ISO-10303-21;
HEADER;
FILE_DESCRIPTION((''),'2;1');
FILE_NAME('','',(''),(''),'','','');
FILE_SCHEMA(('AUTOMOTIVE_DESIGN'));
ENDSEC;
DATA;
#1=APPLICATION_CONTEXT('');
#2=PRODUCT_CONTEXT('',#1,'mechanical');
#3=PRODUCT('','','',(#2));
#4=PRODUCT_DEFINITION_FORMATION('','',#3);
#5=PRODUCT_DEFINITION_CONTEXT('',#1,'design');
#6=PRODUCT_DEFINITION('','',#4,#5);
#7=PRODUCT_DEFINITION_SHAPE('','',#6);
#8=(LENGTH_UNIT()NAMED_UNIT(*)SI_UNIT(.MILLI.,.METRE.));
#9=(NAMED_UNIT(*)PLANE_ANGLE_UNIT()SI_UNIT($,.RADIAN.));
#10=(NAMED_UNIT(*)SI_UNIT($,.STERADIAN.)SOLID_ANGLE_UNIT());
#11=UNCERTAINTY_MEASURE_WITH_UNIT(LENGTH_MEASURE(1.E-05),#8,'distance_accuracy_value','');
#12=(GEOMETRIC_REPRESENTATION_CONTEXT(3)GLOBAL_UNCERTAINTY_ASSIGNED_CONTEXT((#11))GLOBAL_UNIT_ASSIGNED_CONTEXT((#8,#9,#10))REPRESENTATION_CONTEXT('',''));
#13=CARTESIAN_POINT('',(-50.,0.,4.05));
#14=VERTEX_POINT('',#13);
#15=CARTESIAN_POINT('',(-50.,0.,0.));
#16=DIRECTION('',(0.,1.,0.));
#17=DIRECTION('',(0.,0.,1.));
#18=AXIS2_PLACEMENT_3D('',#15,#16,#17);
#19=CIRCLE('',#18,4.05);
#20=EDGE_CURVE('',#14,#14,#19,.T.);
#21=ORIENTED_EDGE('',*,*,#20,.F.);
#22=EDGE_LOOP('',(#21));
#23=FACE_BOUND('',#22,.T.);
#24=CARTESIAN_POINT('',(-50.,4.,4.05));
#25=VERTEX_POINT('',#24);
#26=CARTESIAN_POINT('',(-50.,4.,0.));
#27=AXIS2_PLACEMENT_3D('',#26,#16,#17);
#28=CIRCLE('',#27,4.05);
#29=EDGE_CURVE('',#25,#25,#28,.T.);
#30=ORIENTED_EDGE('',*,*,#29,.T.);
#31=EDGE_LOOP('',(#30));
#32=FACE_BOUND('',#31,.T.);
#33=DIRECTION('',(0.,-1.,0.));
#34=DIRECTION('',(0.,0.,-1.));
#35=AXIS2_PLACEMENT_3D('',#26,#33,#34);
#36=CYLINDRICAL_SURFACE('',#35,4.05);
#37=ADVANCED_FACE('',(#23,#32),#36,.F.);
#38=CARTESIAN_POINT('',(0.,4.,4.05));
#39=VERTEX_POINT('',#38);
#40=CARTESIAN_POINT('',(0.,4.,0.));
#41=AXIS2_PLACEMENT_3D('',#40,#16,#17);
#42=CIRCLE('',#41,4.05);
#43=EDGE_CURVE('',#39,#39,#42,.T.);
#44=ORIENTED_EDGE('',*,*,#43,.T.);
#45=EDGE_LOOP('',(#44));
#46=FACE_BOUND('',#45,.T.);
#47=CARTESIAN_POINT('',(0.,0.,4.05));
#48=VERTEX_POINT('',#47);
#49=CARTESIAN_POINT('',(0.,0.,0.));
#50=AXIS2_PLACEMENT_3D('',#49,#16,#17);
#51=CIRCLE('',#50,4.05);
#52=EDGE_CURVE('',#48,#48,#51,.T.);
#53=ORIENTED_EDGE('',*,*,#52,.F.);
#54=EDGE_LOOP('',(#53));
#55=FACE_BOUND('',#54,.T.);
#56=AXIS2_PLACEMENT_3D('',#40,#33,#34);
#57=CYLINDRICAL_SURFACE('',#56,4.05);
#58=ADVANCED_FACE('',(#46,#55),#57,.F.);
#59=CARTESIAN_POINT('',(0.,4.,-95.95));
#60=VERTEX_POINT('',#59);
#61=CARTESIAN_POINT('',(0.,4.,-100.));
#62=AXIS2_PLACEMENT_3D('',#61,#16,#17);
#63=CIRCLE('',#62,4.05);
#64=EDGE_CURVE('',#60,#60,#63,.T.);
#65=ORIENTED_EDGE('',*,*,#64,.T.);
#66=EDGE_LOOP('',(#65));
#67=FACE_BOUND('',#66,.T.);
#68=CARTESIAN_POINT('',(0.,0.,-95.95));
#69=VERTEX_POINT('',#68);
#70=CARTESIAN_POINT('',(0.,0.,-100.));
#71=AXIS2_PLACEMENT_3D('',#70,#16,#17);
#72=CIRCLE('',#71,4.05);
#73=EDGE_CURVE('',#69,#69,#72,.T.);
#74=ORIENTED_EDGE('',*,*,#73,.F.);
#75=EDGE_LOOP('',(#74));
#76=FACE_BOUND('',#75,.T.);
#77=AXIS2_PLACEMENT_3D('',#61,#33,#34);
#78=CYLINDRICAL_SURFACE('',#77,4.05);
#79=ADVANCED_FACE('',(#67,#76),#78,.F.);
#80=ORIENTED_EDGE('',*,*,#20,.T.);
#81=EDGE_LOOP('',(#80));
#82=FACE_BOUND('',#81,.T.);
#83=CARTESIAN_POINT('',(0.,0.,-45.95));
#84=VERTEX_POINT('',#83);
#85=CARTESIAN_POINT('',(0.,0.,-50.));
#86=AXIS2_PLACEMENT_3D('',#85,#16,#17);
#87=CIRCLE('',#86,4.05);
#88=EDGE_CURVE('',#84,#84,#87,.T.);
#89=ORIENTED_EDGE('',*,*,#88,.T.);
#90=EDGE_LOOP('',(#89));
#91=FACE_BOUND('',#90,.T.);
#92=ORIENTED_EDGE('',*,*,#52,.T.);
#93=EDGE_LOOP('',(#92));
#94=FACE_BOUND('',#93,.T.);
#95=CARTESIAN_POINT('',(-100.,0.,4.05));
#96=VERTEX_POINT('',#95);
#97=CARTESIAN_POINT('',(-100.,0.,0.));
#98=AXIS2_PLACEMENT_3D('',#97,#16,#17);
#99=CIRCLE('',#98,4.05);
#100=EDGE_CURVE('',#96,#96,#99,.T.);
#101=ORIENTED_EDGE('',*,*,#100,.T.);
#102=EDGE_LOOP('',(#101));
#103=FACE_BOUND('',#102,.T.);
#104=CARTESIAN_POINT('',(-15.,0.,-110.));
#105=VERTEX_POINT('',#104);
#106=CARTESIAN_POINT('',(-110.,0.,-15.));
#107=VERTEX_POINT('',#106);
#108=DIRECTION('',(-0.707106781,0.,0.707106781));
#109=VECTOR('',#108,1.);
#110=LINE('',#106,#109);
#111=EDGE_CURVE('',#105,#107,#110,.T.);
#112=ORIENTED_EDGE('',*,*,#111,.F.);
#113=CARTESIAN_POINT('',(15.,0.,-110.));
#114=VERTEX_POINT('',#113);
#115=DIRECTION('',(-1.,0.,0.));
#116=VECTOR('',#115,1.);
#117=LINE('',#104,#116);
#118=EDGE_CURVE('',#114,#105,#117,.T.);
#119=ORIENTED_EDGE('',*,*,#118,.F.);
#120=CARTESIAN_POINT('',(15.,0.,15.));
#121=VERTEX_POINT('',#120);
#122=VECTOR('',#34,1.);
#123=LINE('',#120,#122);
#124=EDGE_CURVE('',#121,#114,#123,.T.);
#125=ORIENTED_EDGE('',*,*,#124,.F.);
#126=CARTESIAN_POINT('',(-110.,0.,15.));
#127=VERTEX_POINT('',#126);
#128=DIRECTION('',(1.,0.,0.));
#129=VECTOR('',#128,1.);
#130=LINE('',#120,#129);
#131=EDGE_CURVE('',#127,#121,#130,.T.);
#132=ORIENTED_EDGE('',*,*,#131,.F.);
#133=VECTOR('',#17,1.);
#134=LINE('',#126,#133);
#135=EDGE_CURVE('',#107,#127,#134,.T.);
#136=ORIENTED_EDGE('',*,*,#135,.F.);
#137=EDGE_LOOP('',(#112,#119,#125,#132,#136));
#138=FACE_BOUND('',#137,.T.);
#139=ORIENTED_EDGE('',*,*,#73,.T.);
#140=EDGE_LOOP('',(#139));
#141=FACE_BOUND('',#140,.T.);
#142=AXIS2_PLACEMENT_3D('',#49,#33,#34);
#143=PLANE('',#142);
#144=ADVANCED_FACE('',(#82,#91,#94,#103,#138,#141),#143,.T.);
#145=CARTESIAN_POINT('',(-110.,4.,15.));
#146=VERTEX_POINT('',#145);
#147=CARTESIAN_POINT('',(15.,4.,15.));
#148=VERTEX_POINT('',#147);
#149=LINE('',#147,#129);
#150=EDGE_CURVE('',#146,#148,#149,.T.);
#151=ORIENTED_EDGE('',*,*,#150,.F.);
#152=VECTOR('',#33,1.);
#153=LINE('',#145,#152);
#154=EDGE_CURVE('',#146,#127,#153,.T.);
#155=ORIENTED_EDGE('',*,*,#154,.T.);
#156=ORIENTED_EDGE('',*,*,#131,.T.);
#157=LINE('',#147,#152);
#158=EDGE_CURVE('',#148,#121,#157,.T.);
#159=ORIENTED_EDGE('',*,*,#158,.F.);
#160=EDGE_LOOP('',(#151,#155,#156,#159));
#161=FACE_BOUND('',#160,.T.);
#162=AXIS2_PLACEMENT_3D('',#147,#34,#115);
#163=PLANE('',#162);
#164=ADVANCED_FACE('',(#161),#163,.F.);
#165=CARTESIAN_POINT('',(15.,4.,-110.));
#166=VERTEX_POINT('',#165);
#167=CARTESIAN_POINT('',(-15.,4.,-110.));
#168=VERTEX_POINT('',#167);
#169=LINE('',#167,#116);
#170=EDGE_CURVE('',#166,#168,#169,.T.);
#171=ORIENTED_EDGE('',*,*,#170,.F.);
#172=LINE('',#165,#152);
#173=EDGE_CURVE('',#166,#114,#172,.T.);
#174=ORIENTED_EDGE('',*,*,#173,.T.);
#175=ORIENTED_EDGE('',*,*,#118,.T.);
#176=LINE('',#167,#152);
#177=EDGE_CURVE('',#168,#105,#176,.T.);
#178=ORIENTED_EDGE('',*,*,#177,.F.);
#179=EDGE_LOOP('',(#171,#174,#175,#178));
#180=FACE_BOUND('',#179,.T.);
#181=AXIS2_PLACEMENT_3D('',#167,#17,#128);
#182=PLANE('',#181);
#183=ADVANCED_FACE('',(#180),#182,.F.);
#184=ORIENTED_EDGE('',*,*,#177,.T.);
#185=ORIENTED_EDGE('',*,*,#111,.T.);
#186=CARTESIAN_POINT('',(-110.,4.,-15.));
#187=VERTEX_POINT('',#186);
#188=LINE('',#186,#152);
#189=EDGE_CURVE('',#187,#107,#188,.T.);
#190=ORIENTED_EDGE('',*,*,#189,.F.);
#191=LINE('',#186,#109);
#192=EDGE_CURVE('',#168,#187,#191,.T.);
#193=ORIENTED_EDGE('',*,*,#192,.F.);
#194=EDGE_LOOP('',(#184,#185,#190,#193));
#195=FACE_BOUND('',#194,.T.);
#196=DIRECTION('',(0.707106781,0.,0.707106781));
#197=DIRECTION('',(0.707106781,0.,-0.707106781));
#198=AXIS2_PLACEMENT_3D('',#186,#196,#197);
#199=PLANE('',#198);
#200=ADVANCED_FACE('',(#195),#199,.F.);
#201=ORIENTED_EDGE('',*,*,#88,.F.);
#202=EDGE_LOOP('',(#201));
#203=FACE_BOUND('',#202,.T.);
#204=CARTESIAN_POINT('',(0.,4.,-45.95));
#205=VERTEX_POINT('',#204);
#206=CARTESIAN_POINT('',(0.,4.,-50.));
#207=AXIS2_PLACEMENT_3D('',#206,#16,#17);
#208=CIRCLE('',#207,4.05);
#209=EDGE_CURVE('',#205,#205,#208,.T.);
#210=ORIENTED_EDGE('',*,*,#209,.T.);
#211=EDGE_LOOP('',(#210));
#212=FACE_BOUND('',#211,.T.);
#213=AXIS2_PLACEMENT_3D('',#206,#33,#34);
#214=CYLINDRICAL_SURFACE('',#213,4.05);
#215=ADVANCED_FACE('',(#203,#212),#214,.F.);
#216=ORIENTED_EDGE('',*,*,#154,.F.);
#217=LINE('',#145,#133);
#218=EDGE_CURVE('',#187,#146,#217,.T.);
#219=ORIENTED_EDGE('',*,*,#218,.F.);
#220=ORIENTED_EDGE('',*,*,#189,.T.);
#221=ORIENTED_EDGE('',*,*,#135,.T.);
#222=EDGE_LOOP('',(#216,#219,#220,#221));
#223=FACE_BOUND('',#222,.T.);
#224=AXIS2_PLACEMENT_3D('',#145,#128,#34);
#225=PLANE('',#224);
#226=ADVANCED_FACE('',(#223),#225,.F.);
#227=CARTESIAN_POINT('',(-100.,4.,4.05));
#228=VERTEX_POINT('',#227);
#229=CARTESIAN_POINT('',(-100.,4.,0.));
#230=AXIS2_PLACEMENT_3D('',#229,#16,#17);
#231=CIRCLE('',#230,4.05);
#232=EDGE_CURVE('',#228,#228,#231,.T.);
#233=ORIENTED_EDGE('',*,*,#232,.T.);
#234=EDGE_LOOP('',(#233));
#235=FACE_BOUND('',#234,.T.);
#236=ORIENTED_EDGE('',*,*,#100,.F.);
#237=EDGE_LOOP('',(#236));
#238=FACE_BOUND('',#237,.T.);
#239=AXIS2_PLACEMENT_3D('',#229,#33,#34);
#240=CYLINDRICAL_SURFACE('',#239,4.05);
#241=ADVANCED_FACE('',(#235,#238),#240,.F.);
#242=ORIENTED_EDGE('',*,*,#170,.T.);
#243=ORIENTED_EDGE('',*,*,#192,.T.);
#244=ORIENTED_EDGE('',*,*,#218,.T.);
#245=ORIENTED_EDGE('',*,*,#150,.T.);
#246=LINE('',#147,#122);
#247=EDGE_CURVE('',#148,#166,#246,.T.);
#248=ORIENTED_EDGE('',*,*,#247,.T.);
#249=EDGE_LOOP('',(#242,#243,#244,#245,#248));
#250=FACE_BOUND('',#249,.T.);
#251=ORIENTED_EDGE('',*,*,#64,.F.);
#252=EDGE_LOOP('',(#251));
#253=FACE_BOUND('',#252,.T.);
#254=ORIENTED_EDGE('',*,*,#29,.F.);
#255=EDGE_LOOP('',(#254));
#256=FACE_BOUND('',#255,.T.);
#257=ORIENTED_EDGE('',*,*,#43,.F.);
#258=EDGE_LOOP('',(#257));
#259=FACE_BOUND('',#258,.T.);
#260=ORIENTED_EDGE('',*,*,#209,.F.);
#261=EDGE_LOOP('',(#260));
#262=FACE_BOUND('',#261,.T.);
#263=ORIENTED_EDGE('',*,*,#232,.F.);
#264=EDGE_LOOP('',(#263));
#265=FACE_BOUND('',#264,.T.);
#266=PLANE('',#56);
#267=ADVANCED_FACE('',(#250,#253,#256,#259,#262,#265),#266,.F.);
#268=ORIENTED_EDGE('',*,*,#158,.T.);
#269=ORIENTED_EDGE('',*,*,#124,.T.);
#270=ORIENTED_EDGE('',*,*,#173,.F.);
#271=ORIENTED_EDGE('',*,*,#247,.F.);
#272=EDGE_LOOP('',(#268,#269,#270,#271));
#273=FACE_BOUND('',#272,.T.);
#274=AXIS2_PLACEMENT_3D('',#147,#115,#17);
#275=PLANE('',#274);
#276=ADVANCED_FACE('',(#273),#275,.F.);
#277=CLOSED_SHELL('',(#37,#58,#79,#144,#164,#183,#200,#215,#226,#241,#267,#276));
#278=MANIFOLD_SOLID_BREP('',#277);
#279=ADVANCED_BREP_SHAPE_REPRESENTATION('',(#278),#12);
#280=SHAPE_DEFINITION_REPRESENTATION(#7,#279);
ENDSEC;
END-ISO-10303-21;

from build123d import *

# Parameters (mm, degrees)
SKETCH1_R           = 4.05
BOSS_EXTRUDE1_DEPTH = 4


with BuildPart() as part:
    # Sketch1 → Boss-Extrude1 (new body)
    with BuildSketch(Plane(origin=(0, 0, 0), x_dir=(1, 0, 0), z_dir=(0, 1, 0))):
        Polygon((15, -15), (-110, -15), (-110, 15), (-15, 110), (15, 110), align=None)
        with Locations((-100, 0)):
            Circle(SKETCH1_R, mode=Mode.SUBTRACT)
        with Locations((-50, 0)):
            Circle(SKETCH1_R, mode=Mode.SUBTRACT)
        Circle(SKETCH1_R, mode=Mode.SUBTRACT)
        with Locations((0, 100)):
            Circle(SKETCH1_R, mode=Mode.SUBTRACT)
        with Locations((0, 50)):
            Circle(SKETCH1_R, mode=Mode.SUBTRACT)
    extrude(amount=BOSS_EXTRUDE1_DEPTH)


solid = part.part
